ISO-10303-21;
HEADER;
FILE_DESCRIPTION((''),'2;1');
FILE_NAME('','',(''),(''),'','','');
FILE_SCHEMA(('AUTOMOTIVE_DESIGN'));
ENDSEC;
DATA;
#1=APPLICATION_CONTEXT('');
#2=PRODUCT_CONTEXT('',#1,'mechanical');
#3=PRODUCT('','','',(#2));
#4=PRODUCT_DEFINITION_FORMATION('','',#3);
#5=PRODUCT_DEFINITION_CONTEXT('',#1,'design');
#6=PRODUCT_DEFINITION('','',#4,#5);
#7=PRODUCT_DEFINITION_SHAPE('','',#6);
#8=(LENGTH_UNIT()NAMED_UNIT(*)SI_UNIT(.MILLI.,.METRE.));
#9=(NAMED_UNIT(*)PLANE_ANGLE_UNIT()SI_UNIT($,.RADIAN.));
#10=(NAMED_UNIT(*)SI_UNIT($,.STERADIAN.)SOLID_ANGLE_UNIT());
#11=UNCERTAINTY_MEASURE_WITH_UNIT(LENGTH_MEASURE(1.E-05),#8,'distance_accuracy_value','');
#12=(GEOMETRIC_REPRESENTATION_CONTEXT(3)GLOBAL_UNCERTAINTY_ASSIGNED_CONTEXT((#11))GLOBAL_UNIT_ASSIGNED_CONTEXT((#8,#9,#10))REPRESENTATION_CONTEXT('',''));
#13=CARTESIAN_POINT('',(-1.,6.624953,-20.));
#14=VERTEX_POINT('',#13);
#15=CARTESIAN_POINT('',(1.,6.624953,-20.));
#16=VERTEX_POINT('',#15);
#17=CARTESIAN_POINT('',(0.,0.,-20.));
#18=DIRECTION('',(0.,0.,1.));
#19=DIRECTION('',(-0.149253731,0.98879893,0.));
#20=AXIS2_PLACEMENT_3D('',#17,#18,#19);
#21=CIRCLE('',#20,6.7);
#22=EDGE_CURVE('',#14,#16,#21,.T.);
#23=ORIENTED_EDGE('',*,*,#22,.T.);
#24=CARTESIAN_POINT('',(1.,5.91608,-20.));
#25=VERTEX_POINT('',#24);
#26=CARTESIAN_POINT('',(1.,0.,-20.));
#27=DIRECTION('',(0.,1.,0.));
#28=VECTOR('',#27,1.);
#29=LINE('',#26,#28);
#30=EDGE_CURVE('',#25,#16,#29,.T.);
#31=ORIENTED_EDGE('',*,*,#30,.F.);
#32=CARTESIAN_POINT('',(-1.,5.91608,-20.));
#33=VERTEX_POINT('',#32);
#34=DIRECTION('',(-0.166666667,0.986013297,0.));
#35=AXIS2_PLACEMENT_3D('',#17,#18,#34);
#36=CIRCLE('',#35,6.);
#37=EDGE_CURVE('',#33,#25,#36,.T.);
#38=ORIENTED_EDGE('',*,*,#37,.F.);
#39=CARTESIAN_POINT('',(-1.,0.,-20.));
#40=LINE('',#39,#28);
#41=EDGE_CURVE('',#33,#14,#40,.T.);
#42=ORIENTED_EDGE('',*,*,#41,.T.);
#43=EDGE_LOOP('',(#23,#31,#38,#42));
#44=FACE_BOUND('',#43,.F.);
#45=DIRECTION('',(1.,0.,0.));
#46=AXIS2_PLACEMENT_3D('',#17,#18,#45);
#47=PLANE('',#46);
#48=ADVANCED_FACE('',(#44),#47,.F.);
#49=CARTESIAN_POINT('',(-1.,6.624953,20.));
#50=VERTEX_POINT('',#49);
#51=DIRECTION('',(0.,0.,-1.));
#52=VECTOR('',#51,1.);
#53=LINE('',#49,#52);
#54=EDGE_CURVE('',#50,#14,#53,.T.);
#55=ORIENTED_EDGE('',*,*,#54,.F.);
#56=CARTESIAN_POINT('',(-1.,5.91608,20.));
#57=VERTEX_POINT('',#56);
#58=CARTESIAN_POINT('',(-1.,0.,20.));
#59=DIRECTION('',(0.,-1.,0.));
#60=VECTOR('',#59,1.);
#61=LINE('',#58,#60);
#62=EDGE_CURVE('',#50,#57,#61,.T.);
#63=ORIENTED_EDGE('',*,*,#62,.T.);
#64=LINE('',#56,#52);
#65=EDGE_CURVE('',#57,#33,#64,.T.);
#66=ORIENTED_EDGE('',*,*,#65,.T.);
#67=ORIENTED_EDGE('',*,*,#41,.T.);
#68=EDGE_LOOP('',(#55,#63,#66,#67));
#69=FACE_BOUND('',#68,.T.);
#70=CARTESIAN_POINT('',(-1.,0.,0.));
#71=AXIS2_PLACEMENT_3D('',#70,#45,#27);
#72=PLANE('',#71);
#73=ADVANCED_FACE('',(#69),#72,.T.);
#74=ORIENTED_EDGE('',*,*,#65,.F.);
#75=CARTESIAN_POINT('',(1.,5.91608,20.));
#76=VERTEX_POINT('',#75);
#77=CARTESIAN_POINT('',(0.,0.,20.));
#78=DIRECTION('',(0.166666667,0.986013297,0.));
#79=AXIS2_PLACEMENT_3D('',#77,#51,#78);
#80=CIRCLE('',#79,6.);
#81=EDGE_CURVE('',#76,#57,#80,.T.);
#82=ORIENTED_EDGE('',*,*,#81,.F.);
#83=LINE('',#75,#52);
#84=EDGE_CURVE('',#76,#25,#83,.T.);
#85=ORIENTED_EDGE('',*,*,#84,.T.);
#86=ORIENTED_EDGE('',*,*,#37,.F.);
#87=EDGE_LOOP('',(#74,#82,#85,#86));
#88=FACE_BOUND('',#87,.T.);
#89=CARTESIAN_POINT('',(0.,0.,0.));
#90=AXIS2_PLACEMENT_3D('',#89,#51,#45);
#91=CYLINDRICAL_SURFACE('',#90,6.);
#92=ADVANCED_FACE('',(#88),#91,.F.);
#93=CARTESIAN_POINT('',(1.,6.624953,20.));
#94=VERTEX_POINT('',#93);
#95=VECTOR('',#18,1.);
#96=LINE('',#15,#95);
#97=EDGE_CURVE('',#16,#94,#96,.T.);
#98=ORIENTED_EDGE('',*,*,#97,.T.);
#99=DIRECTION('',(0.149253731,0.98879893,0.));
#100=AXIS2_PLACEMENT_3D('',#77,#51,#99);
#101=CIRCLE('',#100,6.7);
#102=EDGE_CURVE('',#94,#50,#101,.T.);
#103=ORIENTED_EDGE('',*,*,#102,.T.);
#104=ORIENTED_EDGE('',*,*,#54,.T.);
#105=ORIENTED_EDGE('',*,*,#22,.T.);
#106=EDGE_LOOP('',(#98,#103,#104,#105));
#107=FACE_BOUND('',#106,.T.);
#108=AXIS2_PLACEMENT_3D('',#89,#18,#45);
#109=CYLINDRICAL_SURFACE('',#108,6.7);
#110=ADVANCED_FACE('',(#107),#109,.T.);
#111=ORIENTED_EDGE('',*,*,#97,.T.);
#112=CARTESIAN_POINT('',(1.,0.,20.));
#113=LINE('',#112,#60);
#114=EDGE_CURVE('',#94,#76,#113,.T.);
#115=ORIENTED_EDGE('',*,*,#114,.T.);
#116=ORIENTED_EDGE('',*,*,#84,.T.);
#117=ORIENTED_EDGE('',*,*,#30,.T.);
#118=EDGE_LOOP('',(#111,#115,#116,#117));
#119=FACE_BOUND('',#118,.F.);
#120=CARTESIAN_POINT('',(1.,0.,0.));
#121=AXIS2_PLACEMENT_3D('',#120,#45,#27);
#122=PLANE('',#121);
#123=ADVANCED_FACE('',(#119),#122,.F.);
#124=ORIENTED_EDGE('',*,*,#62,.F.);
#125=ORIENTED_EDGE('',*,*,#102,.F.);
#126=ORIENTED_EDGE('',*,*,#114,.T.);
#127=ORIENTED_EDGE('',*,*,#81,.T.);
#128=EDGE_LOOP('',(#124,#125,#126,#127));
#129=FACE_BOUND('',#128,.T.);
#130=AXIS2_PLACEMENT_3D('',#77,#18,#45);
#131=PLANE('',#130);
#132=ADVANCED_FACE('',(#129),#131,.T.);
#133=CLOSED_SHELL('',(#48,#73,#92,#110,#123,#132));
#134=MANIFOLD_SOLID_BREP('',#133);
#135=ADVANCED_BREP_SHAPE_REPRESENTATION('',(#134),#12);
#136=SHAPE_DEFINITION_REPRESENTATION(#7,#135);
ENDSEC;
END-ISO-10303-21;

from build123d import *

# Parameters (mm, degrees)
F0_R          = 6.7
F0_R_2        = 6
F1_DEPTH      = 20
F2_W          = 2
F2_H          = 6.7
F3_DEPTH      = 20.001
F3_DEPTH_BACK = 20.001


with BuildPart() as f1:
    # F0 (on Top) → F1 (new body, symmetric)
    with BuildSketch(Plane.XY):
        Circle(F0_R)
        Circle(F0_R_2, mode=Mode.SUBTRACT)
    extrude(amount=F1_DEPTH, both=True)

    # F2 (on Top) → F3 (cut, two sides)
    with BuildSketch(Plane.XY) as f3_sk:
        with Locations((0, 3.35)):
            Rectangle(F2_W, F2_H)
    extrude(amount=-F3_DEPTH, mode=Mode.SUBTRACT)
    extrude(f3_sk.sketch, amount=F3_DEPTH_BACK, mode=Mode.SUBTRACT)


solid = f1.part
